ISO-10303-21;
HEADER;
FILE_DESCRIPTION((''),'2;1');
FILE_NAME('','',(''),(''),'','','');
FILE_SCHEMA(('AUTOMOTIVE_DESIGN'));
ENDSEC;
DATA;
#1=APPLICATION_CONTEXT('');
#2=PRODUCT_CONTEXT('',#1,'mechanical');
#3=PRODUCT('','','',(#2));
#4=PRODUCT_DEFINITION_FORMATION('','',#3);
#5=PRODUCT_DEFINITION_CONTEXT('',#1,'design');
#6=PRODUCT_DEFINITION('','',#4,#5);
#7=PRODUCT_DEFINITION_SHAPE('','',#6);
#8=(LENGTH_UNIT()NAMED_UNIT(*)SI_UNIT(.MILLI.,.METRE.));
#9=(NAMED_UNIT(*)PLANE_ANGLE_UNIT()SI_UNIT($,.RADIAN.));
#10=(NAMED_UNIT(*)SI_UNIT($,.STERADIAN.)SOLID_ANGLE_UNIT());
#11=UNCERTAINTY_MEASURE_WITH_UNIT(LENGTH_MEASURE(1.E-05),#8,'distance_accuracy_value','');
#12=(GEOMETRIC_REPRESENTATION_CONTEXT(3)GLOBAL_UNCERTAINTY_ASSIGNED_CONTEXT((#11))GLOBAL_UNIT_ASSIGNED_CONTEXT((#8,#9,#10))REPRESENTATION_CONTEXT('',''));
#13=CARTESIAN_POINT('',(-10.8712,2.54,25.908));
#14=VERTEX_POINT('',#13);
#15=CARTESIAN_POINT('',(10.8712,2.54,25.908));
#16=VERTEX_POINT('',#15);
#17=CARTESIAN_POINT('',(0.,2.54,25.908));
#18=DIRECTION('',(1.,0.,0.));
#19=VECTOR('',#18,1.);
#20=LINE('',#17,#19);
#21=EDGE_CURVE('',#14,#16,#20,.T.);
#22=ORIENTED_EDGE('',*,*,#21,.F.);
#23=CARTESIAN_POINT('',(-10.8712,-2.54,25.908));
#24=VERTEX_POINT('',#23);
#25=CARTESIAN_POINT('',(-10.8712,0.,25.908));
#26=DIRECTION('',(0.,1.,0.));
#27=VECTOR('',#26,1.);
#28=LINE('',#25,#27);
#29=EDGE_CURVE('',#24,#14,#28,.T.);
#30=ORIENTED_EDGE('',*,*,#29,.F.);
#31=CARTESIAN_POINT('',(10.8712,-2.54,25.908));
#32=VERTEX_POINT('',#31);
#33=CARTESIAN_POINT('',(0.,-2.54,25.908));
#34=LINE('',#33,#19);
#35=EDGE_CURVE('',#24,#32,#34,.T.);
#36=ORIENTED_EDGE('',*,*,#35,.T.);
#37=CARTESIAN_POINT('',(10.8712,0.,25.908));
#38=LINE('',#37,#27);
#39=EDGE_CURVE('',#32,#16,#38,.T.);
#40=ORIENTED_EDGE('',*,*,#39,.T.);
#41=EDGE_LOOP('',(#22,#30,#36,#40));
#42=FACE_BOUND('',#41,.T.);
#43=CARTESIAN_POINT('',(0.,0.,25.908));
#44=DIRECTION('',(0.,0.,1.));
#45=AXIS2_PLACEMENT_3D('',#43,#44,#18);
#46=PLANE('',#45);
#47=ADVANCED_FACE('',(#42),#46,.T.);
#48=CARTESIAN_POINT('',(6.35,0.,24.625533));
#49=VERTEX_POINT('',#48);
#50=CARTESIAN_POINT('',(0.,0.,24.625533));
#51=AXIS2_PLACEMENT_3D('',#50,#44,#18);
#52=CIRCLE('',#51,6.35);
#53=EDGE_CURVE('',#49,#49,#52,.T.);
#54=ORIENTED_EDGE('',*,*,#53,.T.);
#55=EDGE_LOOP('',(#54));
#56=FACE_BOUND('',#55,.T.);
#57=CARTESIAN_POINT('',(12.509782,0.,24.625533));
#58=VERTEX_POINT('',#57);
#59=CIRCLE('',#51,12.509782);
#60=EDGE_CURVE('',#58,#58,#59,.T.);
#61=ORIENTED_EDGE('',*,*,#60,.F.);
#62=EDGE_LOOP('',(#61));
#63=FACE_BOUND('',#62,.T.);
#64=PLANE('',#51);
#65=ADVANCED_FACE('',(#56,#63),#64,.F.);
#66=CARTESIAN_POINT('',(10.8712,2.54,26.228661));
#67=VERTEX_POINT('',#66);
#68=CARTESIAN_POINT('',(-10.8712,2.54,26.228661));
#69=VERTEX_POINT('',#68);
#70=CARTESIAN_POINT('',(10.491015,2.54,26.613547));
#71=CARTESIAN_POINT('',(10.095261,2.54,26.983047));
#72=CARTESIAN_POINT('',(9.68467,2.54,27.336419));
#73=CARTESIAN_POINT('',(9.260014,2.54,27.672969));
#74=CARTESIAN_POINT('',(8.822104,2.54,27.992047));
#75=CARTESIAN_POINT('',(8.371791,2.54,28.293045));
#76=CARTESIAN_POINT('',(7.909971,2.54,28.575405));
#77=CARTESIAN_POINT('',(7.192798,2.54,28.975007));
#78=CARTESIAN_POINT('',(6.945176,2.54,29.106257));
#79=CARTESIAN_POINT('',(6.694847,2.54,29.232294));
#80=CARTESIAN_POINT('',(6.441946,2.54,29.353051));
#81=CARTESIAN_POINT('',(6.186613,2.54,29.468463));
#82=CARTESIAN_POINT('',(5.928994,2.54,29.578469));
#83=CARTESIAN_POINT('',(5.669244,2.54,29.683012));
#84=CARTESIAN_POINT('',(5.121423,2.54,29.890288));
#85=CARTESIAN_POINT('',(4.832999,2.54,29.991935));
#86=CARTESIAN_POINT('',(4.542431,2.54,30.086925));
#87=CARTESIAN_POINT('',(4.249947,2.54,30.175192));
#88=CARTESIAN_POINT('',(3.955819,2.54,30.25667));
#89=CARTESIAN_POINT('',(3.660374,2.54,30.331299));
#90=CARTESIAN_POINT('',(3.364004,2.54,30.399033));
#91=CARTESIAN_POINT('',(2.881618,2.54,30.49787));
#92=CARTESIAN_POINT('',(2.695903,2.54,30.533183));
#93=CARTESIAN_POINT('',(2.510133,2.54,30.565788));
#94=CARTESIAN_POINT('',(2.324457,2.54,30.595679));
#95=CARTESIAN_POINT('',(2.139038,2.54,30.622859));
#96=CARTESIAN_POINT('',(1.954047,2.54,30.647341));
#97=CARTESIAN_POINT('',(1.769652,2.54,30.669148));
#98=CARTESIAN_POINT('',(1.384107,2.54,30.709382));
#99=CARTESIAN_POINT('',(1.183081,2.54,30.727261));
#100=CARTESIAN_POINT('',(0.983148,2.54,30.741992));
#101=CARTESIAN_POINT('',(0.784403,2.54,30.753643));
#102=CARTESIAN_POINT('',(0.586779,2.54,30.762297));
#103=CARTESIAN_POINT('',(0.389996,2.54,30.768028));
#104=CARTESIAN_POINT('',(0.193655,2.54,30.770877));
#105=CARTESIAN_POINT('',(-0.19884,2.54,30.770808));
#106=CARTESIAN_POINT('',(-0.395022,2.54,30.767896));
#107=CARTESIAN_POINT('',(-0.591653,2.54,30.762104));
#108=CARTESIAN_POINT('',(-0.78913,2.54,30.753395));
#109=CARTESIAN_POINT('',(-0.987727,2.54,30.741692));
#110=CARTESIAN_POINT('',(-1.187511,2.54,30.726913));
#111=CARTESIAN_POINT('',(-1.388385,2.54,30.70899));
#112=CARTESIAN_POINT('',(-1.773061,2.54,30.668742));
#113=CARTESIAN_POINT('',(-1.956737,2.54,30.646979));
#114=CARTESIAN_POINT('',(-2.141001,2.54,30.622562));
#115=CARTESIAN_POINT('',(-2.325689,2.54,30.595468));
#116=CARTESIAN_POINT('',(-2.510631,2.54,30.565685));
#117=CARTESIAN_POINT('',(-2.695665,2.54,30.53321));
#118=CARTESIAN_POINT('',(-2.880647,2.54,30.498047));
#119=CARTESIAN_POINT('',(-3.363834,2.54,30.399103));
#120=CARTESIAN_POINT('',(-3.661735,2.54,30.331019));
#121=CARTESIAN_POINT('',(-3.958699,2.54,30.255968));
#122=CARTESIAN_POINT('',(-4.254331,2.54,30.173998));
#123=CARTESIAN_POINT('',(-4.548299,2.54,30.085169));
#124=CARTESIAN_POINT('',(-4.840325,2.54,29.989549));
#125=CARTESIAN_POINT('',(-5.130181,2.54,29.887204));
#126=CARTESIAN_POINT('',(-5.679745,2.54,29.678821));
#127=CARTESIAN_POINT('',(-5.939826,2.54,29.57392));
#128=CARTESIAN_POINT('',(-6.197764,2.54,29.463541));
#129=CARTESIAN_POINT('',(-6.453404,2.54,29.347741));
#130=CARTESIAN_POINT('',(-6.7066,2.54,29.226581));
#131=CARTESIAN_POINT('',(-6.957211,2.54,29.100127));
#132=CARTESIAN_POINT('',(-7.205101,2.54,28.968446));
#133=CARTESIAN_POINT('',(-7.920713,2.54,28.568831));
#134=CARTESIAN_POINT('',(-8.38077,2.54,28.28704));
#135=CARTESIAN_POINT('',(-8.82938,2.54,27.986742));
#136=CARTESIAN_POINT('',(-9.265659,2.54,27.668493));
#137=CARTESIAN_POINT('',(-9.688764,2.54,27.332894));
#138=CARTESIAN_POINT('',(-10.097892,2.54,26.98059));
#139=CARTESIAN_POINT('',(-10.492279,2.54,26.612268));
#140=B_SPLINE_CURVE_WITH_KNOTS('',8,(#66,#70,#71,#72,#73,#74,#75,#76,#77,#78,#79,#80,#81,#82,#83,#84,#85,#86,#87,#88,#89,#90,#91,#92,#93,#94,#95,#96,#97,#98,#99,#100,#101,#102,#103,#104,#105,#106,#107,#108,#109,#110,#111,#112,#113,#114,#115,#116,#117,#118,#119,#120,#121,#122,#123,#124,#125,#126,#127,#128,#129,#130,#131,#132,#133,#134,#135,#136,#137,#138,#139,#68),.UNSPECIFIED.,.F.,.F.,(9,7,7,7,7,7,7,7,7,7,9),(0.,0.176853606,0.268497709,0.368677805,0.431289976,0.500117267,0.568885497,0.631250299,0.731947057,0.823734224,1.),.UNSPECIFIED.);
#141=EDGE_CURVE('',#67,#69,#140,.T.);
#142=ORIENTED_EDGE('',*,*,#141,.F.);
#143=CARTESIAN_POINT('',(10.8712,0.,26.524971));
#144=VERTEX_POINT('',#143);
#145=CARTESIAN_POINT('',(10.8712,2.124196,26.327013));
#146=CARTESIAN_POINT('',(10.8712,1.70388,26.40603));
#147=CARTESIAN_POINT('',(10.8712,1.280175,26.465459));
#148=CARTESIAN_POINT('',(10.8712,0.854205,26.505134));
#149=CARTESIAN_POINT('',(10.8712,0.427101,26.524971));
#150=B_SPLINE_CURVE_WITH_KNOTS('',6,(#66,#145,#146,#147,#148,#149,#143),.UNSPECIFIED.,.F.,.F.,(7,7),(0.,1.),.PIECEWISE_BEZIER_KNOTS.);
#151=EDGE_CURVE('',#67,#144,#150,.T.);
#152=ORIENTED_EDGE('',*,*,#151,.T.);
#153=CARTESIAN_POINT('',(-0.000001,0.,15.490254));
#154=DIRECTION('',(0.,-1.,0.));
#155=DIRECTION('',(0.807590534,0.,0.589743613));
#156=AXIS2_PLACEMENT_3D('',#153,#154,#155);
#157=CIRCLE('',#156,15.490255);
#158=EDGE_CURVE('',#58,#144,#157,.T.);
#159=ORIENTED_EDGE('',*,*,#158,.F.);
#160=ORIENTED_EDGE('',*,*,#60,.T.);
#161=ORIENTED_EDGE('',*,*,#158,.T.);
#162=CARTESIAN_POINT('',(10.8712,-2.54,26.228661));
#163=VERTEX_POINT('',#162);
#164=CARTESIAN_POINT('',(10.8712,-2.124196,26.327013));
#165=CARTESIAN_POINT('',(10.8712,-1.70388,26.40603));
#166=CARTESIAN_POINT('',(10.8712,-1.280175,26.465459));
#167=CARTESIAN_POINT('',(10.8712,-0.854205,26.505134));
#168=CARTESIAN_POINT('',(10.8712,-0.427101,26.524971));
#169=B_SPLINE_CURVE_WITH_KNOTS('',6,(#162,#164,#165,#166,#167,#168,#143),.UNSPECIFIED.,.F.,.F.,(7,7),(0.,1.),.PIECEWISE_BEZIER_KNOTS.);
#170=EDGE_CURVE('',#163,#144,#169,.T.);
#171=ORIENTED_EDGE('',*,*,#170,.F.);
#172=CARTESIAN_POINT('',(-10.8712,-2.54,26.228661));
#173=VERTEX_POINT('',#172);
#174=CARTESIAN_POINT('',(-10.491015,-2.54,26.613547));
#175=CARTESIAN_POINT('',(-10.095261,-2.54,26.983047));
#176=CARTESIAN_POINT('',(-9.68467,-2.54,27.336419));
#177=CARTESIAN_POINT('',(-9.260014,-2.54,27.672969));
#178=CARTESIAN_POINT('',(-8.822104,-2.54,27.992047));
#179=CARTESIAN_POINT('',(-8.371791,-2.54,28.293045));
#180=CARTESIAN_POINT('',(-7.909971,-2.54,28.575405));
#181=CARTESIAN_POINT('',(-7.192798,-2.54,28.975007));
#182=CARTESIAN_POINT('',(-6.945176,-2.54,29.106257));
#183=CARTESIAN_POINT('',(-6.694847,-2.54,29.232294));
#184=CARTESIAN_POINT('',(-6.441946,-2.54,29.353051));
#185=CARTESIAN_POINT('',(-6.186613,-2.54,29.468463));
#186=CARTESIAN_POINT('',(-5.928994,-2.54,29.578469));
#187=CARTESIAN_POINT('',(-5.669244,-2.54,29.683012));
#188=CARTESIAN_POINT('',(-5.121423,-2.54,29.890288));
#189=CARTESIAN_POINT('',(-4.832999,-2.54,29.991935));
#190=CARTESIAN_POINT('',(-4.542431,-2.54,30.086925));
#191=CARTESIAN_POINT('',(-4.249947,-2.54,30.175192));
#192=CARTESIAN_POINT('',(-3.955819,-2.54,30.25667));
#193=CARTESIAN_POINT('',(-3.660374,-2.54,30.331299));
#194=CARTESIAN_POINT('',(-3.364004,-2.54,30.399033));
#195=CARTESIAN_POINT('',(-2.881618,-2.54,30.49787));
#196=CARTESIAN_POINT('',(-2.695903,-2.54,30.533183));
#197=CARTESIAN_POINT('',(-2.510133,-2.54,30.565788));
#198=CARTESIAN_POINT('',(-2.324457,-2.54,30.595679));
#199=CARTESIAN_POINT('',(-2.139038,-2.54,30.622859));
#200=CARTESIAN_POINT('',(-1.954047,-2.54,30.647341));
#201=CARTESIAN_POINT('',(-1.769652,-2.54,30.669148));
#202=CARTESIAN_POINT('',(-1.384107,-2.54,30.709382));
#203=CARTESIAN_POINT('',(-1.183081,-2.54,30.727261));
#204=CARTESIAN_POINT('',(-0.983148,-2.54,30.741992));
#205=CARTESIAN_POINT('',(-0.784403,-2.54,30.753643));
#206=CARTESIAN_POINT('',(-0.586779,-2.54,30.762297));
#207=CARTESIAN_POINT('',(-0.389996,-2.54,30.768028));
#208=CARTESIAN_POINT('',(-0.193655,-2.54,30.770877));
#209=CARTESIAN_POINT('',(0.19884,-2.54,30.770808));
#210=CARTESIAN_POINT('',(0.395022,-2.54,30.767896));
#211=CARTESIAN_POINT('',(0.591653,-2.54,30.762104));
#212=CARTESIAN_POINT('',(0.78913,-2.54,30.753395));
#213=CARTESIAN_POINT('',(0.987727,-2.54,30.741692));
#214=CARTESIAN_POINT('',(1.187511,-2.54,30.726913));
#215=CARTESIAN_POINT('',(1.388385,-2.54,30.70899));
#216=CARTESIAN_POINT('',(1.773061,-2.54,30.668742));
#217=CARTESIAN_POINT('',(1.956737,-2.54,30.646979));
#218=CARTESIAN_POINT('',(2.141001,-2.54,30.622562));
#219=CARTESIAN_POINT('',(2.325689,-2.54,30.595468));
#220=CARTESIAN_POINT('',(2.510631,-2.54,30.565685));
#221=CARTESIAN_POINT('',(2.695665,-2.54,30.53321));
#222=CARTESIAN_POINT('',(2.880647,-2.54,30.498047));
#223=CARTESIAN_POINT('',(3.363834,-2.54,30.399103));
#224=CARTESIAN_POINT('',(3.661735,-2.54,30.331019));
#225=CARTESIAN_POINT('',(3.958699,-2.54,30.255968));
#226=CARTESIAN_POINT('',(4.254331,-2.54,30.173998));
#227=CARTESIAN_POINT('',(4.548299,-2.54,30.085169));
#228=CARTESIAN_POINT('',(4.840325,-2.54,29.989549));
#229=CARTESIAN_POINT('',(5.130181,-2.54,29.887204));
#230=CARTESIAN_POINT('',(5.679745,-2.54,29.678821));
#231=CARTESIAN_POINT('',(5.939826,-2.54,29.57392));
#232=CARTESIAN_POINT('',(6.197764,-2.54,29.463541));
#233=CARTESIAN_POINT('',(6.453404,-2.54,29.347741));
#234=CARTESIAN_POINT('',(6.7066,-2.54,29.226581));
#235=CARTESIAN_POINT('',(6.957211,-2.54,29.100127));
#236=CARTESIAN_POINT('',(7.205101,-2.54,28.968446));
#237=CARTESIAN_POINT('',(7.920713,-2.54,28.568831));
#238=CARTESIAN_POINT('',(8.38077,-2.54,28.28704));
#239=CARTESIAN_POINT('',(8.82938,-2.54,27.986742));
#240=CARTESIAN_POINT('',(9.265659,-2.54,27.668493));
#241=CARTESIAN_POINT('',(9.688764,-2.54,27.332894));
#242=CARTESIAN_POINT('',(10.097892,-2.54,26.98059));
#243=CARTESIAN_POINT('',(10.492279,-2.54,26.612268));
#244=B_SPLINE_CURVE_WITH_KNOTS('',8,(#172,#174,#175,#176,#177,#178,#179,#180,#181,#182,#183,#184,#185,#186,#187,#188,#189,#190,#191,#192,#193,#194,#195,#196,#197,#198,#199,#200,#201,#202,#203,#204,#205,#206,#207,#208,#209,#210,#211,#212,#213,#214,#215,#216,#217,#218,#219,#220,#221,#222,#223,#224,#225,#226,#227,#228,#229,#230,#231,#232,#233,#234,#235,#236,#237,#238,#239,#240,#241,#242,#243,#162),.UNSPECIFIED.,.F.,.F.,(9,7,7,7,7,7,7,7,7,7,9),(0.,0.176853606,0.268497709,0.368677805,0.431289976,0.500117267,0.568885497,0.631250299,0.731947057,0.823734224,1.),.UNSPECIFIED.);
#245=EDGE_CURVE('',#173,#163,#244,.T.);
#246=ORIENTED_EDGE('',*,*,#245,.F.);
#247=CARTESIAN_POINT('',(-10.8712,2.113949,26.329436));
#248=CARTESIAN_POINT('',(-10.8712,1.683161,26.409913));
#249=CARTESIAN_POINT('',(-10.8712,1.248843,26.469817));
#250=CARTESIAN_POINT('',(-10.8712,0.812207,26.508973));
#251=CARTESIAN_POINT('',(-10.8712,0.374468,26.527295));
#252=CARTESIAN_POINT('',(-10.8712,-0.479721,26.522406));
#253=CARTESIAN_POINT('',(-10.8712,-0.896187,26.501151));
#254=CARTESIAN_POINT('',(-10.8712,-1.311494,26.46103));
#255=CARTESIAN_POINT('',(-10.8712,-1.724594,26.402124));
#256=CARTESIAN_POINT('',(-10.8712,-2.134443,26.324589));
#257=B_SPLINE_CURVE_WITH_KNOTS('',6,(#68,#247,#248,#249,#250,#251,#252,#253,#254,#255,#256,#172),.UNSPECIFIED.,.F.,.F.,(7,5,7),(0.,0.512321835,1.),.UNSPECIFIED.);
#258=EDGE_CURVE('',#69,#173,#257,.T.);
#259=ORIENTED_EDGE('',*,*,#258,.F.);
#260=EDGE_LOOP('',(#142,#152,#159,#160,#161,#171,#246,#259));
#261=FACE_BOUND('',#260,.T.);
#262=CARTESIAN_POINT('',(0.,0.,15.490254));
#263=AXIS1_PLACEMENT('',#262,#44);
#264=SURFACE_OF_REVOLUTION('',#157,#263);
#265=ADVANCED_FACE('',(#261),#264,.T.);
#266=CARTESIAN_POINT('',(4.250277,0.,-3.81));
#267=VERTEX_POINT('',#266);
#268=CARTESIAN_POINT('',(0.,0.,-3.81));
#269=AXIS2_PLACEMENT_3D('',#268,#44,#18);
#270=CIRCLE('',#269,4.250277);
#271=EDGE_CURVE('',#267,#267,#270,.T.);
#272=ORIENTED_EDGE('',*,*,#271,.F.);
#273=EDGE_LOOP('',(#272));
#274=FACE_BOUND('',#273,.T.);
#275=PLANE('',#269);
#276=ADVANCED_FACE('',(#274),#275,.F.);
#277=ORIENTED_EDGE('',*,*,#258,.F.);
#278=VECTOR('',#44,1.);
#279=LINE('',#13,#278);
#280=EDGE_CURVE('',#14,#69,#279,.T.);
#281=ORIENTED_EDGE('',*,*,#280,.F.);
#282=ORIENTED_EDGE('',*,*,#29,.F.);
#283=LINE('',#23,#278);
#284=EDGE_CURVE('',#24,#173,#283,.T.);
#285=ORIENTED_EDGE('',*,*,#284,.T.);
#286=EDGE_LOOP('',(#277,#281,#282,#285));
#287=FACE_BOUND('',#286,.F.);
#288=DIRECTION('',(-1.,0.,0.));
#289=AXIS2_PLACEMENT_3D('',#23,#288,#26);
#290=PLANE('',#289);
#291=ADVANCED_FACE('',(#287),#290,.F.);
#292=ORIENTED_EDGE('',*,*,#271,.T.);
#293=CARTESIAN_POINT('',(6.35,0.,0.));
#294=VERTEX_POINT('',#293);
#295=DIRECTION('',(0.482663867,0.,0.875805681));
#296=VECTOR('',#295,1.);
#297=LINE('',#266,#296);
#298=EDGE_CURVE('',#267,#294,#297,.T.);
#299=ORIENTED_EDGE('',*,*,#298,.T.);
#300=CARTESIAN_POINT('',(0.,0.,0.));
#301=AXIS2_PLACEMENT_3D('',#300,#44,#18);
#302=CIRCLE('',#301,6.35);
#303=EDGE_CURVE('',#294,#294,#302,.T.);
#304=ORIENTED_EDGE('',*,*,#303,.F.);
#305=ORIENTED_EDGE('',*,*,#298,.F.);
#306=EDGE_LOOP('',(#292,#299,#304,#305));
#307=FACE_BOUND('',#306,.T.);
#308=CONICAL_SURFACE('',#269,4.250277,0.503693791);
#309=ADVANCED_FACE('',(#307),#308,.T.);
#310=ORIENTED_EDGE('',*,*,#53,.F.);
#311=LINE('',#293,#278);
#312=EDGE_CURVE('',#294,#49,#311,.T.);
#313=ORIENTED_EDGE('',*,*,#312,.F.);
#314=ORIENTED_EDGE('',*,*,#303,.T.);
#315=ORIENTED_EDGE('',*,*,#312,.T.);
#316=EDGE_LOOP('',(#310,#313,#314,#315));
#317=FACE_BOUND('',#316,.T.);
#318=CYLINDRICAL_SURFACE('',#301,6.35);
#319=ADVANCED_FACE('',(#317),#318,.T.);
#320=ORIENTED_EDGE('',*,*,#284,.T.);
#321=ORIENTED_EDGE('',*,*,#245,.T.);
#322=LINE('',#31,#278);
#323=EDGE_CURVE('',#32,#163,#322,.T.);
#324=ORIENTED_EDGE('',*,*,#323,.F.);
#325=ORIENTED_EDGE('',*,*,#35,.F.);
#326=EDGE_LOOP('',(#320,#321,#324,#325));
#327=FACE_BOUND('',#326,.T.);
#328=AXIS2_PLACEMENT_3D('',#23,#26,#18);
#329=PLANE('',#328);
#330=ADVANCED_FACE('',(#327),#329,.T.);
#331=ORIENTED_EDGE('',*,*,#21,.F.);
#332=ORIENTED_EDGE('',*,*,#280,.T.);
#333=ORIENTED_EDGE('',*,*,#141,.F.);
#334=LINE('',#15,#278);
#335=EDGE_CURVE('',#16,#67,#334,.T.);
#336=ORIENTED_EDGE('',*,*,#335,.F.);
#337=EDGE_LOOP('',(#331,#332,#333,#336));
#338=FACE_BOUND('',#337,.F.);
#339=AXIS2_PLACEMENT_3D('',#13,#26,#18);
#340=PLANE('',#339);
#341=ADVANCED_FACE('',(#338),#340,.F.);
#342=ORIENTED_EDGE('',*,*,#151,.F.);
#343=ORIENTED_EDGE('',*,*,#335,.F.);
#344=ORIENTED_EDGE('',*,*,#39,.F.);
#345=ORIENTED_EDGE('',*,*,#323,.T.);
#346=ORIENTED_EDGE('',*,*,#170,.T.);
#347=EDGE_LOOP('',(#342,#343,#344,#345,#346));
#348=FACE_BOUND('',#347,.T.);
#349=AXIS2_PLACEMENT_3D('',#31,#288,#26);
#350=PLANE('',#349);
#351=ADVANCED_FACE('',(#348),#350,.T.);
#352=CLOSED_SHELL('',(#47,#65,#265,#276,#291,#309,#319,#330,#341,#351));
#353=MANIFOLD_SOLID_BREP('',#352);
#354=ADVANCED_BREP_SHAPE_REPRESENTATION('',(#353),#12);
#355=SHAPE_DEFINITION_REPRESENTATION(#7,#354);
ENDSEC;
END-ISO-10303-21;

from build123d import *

# Parameters (mm, degrees)
F3_W     = 21.7424
F3_H     = 5.08
F4_DEPTH = 5.073509


with BuildPart() as f1:
    # F0 (on Front) → F1 (revolve)
    with BuildSketch(Plane.XZ):
        with BuildLine():
            Line((0, 30.980509), (0, 0))
            Line((0, 0), (6.35, 0))
            Line((6.35, 0), (6.35, 24.625533))
            Line((6.35, 24.625533), (12.509782, 24.625533))
            ThreePointArc((12.509782, 24.625533), (7.015703, 29.300681), (0, 30.980509))
        make_face()
        Polygon((6.35, 0), (0, 0), (0, -3.81), (4.250277, -3.81), align=None)
    revolve(axis=Axis((0, 0, 15.490254), (0, 0, 1)))

    # F3 (on offset) → F4 (cut, through all)
    with BuildSketch(Plane.XY.offset(25.908)):
        Rectangle(F3_W, F3_H)
    extrude(amount=F4_DEPTH, mode=Mode.SUBTRACT)


solid = f1.part
